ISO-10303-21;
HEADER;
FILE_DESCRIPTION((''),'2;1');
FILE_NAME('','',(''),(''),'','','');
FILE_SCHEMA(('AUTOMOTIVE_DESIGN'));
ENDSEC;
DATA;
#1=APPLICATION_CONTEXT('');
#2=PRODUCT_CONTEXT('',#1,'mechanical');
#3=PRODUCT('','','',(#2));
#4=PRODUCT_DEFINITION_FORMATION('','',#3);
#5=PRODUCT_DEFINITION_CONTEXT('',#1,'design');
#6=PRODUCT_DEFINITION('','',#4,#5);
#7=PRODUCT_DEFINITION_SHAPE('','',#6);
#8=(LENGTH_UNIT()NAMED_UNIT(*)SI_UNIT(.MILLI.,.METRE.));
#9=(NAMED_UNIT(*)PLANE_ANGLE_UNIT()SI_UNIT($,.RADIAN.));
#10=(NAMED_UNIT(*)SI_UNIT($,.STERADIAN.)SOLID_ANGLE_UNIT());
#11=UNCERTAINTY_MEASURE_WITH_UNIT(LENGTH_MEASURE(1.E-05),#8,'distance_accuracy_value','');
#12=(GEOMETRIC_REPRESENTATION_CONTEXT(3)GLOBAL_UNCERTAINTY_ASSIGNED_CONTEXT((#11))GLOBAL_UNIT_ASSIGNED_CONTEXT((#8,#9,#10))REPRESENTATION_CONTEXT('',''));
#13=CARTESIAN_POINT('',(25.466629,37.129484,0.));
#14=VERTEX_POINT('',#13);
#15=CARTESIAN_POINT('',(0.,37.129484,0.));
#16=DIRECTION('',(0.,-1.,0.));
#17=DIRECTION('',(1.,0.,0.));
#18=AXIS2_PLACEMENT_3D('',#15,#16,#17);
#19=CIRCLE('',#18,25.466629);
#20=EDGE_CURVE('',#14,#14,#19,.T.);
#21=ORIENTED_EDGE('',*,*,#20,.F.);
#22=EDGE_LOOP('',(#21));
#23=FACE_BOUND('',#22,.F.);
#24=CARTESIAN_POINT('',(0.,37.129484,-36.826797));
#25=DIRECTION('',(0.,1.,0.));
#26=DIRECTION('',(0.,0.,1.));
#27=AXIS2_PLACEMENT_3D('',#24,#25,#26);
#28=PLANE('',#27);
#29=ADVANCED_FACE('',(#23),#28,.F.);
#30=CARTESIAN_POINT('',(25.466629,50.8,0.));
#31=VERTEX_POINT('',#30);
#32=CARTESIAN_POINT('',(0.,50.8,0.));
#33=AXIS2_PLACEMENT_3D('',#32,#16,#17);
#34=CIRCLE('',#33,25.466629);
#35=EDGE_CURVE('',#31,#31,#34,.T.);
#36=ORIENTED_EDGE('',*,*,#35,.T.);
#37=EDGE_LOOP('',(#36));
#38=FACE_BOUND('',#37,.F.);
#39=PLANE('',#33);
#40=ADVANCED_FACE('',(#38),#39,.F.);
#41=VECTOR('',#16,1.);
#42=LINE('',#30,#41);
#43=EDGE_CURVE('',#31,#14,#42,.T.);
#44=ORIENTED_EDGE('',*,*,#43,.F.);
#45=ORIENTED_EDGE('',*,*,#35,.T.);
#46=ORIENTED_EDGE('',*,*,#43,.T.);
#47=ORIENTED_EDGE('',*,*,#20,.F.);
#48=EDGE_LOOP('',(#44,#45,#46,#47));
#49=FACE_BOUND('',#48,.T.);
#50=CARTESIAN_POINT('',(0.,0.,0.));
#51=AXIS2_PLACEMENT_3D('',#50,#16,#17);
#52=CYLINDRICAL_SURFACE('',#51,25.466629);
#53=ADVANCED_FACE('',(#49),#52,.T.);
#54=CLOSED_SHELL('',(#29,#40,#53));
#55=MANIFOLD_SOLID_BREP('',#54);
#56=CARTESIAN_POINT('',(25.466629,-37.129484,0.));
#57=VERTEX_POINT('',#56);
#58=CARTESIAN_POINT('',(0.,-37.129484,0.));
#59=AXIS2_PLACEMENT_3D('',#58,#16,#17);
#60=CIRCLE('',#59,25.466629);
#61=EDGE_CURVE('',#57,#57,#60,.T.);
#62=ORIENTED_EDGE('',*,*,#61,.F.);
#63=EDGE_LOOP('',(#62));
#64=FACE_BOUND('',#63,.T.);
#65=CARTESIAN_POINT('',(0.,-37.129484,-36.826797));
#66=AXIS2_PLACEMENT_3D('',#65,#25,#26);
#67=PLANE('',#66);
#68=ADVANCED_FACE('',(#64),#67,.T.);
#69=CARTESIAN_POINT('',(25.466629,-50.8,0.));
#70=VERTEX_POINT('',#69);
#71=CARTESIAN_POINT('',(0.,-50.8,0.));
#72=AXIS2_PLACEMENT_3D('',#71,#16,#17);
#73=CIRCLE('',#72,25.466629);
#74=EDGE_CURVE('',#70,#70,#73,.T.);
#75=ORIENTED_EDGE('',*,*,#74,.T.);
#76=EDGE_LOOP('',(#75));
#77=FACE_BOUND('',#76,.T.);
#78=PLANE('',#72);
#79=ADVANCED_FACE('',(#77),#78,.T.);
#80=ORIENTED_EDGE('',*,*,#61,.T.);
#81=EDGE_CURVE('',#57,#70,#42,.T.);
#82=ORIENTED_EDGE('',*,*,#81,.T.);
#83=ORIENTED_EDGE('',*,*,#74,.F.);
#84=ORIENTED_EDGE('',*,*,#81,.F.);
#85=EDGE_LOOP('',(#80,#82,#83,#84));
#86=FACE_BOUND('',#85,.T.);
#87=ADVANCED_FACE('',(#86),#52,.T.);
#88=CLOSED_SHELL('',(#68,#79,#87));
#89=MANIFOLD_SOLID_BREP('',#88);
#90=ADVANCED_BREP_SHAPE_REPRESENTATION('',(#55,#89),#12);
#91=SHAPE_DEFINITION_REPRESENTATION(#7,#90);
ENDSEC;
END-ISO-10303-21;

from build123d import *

# Parameters (mm, degrees)
F0_R     = 25.466629
F1_DEPTH = 50.8
F2_W     = 74.258968
F2_H     = 73.653594
F3_DEPTH = 50.8


with BuildPart() as f1:
    # F0 (on Front) → F1 (new body, symmetric)
    with BuildSketch(Plane.XZ):
        Circle(F0_R)
    extrude(amount=F1_DEPTH, both=True)

    # F2 (on Right) → F3 (cut, symmetric)
    with BuildSketch(Plane.YZ):
        Rectangle(F2_W, F2_H)
    extrude(amount=F3_DEPTH, both=True, mode=Mode.SUBTRACT)


solid = f1.part
